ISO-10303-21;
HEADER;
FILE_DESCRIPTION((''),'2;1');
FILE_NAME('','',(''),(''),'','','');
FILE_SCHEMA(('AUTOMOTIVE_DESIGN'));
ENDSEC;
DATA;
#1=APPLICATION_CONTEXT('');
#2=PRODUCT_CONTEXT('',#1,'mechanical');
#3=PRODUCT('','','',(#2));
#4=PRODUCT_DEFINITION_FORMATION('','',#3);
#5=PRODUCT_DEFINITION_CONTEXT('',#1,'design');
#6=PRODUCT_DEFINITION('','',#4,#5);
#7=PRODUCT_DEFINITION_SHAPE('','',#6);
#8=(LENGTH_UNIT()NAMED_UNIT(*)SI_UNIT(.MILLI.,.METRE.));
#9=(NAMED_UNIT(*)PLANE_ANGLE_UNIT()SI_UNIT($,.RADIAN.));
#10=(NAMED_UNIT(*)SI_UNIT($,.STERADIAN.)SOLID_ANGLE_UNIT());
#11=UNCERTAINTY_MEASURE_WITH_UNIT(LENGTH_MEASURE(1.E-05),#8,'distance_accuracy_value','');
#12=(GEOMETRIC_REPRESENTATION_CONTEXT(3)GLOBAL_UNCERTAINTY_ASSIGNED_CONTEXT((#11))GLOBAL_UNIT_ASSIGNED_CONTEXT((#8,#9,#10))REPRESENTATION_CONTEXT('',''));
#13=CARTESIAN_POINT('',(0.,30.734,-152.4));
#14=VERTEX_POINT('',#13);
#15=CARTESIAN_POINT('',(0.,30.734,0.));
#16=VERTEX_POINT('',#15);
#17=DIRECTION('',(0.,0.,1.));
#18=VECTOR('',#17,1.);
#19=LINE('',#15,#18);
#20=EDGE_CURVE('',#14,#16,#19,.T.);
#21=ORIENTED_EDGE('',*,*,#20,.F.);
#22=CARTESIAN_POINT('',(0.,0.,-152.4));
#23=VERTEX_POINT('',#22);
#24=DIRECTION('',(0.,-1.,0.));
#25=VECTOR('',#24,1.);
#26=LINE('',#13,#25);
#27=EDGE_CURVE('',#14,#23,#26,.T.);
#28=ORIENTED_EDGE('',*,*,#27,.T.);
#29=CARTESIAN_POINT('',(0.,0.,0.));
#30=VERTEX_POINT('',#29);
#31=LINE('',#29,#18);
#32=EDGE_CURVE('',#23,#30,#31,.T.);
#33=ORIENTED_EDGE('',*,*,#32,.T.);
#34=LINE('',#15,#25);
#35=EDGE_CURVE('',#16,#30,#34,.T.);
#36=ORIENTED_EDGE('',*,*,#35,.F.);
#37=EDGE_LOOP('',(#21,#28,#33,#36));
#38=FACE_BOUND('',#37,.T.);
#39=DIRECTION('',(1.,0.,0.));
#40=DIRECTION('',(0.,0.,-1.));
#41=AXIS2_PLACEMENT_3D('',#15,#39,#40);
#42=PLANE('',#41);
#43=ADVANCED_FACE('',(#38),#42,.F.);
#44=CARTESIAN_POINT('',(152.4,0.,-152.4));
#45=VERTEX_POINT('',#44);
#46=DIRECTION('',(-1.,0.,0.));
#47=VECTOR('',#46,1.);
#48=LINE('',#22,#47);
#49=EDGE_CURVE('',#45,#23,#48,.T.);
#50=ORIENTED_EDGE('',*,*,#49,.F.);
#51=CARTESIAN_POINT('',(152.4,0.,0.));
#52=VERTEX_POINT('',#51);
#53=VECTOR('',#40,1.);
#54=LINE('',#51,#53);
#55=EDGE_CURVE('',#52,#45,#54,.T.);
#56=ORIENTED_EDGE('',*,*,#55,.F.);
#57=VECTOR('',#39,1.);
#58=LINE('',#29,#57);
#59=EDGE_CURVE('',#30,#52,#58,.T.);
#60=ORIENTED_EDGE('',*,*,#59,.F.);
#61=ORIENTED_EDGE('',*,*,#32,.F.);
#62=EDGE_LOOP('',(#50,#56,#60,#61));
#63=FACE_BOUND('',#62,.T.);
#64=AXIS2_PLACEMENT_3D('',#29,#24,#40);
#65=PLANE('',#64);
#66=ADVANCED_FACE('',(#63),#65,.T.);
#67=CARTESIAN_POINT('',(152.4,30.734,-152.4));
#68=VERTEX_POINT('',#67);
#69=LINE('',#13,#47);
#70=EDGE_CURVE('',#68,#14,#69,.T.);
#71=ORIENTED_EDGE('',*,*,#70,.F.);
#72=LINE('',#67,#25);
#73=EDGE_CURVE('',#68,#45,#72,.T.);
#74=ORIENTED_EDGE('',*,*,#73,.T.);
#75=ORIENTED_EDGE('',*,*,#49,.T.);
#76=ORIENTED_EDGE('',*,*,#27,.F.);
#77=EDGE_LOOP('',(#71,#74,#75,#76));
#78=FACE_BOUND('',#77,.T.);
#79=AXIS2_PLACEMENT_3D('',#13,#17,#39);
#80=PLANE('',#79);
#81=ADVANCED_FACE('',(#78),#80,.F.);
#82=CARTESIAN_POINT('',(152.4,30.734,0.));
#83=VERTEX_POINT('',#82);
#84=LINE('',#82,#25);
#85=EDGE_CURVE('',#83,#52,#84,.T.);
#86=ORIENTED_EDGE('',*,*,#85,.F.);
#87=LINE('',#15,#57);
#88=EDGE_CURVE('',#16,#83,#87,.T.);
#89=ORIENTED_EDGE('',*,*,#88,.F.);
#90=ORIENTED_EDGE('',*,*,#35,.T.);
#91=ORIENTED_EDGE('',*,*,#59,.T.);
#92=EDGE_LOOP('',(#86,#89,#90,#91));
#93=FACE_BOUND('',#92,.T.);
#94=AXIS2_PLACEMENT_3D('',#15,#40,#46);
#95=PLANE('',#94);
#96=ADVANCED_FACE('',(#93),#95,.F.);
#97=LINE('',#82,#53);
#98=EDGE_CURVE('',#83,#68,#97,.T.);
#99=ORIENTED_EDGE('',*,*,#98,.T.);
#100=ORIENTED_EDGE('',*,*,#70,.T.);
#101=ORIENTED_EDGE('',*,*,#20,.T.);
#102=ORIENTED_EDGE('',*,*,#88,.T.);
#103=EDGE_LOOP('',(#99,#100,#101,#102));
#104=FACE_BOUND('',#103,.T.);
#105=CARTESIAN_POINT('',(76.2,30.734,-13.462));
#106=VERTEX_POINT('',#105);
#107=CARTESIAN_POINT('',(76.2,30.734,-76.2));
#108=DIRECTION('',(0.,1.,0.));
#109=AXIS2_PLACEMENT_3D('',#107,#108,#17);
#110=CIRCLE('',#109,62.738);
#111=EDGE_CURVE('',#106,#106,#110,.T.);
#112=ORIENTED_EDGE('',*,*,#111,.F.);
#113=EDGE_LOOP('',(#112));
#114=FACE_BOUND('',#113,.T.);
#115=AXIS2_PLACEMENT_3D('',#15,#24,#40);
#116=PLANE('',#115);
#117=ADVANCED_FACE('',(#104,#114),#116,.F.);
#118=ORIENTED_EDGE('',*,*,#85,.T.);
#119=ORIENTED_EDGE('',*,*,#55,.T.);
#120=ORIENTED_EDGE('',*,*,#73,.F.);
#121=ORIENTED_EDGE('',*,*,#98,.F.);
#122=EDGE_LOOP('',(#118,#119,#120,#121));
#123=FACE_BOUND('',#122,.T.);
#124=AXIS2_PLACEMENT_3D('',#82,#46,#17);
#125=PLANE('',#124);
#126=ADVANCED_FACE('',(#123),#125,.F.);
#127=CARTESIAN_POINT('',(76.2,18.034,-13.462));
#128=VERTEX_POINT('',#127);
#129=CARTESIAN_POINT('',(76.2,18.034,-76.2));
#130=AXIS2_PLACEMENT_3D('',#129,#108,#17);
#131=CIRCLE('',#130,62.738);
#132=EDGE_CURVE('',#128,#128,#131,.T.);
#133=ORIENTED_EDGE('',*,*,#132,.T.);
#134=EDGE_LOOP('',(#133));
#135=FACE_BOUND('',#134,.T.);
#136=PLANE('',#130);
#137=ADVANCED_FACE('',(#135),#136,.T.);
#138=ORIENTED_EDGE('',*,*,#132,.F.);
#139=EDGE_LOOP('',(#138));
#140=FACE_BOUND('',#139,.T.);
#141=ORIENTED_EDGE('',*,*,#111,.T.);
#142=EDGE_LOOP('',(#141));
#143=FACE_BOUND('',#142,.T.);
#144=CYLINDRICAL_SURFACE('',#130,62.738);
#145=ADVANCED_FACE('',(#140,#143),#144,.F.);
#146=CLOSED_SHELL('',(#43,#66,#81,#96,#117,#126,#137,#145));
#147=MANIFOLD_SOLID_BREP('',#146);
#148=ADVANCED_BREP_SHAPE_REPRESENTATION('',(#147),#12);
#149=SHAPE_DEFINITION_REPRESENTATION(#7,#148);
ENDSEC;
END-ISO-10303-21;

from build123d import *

# Parameters (mm, degrees)
SKETCH1_W           = 152.4
SKETCH1_H           = 152.4
BOSS_EXTRUDE1_DEPTH = 30.734
SKETCH2_R           = 62.738
CUT_EXTRUDE1_DEPTH  = 12.7


with BuildPart() as part:
    # Sketch1 → Boss-Extrude1 (new body)
    with BuildSketch(Plane(origin=(0, 0, 0), x_dir=(1, 0, 0), z_dir=(0, 1, 0))):
        with Locations((76.2, 76.2)):
            Rectangle(SKETCH1_W, SKETCH1_H)
    extrude(amount=BOSS_EXTRUDE1_DEPTH)

    # Sketch2 → Cut-Extrude1 (cut)
    with BuildSketch(Plane(origin=(0, 30.734, 0), x_dir=(1, 0, 0), z_dir=(0, 1, 0))):
        with Locations((76.2, 76.2)):
            Circle(SKETCH2_R)
    extrude(amount=-CUT_EXTRUDE1_DEPTH, mode=Mode.SUBTRACT)


solid = part.part
